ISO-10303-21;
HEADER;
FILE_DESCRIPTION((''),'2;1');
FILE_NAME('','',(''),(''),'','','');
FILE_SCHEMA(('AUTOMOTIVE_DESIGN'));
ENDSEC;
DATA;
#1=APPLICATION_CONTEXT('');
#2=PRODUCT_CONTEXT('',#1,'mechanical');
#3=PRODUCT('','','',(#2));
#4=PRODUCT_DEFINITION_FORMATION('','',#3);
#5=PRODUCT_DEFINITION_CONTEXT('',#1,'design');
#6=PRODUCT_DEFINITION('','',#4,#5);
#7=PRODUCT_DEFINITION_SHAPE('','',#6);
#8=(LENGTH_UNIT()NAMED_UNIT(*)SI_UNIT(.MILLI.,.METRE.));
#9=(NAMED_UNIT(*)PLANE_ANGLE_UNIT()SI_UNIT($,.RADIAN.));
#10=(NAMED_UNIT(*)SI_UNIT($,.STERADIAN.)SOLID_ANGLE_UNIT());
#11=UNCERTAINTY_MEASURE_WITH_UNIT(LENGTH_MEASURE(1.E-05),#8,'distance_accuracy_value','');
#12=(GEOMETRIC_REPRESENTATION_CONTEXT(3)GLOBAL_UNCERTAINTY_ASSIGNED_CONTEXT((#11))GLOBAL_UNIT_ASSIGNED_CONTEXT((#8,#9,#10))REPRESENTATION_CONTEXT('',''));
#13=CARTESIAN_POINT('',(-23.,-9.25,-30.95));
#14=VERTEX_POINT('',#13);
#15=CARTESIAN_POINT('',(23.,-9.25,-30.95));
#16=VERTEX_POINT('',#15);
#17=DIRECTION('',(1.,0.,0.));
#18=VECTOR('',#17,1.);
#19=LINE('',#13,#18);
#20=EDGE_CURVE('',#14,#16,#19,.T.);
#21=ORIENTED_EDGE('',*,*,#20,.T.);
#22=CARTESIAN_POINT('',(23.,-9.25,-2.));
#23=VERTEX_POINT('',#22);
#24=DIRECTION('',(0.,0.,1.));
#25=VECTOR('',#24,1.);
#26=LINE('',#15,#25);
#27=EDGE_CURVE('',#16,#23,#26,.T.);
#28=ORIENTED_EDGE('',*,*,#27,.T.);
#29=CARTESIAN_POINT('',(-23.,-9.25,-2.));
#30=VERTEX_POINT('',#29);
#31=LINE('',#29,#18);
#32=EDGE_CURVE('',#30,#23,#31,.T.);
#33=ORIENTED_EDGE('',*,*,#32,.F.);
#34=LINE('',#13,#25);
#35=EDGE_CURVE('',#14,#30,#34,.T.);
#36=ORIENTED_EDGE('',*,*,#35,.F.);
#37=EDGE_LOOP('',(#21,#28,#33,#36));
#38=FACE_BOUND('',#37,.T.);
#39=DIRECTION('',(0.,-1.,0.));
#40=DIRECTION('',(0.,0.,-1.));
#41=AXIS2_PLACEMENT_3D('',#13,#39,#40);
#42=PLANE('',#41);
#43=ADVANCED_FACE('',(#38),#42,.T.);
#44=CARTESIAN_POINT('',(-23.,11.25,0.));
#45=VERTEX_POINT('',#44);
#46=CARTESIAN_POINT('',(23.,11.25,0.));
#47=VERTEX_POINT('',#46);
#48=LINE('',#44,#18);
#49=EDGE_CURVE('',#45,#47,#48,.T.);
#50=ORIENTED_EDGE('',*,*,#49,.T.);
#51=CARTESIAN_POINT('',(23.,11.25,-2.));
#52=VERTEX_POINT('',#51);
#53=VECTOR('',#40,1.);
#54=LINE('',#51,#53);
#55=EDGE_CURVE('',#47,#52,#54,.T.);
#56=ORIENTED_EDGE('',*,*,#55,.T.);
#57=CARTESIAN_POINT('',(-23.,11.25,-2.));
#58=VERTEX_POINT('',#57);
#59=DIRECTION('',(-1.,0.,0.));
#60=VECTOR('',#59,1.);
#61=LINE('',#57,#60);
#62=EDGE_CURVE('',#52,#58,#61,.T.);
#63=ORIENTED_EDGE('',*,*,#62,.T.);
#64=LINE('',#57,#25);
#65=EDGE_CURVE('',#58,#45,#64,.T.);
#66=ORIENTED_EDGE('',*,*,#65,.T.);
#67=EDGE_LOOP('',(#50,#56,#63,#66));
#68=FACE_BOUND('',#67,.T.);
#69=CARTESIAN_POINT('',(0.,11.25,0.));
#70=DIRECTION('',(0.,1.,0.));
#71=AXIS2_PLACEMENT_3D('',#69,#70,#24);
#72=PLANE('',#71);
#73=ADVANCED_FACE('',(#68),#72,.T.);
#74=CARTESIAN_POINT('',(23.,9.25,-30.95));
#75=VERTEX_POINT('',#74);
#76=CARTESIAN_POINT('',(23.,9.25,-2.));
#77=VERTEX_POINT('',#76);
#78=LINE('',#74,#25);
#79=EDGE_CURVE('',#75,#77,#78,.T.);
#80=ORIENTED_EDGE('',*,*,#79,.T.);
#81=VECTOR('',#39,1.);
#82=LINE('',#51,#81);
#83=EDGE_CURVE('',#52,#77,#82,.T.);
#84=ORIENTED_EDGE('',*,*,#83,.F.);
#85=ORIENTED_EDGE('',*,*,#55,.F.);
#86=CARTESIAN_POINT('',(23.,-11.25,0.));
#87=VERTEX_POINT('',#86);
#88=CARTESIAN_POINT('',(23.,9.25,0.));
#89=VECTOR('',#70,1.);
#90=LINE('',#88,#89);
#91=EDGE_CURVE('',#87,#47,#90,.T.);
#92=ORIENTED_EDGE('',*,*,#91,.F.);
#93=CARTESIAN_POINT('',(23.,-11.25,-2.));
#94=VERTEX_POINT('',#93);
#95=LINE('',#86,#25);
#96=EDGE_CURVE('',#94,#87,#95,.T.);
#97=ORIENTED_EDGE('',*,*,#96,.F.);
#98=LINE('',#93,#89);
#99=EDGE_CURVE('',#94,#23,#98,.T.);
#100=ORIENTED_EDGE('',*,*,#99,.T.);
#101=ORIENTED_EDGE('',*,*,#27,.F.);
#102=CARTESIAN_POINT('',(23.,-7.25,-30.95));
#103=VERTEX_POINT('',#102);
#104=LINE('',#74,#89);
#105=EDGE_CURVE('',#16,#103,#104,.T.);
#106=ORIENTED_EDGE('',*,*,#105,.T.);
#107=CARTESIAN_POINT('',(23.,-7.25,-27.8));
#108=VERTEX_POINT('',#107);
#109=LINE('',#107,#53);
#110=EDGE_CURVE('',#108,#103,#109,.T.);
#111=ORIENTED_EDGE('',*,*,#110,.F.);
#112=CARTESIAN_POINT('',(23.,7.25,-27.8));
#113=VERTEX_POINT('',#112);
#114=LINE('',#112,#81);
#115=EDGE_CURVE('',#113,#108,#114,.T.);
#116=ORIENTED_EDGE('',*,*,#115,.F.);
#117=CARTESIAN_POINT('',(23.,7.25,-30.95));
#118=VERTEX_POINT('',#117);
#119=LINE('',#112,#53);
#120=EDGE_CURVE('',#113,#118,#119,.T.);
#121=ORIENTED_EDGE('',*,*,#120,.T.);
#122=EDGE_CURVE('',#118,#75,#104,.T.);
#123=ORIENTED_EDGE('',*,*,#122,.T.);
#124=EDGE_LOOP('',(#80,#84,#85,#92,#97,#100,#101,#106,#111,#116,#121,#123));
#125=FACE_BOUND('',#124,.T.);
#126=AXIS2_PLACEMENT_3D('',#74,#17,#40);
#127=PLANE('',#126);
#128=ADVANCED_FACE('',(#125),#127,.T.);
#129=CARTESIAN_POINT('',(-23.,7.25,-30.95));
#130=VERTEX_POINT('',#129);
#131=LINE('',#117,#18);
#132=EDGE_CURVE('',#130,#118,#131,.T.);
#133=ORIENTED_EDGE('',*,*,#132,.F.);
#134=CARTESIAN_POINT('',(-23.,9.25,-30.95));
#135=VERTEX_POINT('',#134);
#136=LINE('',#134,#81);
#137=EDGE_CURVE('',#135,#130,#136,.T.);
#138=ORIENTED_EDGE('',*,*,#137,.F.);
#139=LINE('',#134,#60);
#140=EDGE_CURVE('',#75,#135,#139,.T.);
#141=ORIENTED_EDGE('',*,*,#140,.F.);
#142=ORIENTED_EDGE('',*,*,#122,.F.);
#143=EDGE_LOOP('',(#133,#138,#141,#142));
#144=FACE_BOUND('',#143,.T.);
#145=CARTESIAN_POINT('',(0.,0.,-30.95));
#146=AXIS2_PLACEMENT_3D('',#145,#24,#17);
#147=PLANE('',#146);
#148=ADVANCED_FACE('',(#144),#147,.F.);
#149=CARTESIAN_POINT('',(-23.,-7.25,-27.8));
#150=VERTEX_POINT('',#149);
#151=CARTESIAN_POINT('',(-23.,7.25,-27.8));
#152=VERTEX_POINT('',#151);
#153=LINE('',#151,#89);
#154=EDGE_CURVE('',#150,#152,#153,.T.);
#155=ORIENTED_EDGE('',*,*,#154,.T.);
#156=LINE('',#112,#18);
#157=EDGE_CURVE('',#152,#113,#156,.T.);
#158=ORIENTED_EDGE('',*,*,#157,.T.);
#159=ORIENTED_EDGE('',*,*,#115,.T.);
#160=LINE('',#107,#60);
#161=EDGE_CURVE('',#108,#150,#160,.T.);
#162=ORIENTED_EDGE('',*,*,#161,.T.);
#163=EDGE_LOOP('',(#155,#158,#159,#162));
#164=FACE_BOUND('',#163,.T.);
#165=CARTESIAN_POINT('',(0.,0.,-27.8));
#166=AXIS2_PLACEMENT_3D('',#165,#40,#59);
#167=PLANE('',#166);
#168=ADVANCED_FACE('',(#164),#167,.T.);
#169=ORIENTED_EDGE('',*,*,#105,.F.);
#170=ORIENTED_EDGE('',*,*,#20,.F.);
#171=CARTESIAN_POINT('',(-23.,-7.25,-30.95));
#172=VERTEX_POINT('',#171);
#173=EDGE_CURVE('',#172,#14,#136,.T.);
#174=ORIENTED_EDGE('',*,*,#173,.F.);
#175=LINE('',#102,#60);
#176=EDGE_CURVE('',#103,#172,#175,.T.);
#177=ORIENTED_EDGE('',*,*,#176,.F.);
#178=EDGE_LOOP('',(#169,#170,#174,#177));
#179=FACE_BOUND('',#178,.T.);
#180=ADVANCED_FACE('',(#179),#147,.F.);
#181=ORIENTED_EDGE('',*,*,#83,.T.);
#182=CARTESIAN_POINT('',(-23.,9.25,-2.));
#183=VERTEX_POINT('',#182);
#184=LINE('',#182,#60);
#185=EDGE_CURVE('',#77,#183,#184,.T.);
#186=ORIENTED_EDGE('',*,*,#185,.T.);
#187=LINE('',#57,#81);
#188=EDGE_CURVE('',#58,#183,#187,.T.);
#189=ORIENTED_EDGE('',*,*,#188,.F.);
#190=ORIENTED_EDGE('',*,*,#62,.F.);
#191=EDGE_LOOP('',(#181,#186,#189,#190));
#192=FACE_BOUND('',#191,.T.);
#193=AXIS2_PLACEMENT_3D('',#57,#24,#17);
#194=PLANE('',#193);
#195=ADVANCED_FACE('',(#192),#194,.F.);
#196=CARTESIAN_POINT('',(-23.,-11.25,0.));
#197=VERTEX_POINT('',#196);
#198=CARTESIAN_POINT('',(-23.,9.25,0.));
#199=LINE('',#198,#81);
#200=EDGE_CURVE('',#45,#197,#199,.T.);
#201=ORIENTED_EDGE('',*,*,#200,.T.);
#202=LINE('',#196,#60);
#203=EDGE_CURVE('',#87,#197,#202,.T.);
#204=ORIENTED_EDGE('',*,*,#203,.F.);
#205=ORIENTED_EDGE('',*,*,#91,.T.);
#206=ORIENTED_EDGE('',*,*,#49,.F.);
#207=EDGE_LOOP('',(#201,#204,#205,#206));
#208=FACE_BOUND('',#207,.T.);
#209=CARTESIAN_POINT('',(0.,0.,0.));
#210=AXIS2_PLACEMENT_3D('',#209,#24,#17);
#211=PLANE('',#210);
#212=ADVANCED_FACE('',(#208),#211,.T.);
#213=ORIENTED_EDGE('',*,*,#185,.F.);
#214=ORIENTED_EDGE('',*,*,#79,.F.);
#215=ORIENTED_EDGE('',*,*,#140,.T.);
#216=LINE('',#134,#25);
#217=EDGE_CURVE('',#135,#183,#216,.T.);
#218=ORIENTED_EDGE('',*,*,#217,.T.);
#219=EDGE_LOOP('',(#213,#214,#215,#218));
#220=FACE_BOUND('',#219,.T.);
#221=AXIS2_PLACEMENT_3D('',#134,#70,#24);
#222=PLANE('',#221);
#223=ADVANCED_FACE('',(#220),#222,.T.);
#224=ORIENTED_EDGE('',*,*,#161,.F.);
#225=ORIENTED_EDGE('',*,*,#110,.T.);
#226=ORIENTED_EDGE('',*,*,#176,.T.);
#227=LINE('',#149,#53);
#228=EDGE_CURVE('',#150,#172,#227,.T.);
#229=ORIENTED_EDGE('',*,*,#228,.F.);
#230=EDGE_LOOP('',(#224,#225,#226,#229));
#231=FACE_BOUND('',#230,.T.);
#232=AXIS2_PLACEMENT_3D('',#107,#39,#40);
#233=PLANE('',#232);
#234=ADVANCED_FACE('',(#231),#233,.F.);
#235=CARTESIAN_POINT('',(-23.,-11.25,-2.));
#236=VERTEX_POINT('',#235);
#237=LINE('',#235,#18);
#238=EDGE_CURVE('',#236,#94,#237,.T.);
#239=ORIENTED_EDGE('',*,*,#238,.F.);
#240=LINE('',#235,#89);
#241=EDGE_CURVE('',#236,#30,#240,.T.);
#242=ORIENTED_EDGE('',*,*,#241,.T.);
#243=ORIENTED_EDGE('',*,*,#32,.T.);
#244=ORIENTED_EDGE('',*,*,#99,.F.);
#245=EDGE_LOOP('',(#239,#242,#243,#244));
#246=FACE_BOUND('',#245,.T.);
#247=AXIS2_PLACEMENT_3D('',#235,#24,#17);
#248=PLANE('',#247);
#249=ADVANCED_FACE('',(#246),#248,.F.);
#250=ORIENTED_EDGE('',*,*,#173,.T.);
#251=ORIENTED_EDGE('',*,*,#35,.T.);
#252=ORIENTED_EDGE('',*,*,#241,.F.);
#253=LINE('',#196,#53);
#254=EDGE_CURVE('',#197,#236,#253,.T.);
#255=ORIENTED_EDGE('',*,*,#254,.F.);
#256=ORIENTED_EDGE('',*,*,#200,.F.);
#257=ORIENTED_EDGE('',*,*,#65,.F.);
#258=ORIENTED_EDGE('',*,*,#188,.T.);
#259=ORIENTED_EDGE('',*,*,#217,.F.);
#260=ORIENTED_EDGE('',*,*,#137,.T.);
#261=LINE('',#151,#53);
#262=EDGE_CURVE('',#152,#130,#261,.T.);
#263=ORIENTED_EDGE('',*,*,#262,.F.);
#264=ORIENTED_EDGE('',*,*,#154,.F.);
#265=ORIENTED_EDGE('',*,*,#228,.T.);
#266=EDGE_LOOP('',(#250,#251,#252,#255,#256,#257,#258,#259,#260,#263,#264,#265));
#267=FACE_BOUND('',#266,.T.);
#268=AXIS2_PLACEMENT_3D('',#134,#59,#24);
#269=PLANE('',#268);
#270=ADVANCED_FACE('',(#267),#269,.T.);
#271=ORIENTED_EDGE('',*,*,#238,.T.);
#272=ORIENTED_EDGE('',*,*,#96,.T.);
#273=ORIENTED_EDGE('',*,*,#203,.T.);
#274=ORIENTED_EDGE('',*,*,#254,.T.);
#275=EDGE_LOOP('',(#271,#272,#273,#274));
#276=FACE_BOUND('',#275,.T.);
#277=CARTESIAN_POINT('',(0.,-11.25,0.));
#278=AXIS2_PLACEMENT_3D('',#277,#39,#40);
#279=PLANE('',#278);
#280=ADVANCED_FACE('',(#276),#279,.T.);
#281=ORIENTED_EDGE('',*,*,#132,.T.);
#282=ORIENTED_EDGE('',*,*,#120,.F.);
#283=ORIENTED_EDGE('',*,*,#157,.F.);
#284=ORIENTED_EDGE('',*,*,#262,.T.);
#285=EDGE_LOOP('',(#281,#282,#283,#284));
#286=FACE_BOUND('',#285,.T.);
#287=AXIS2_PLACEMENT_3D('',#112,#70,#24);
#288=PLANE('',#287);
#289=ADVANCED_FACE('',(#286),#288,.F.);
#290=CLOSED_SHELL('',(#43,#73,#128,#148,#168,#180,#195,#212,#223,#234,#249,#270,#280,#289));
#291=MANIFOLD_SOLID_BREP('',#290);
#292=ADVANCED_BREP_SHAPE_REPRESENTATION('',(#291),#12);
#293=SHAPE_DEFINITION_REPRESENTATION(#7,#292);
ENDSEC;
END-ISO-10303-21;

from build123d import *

# Parameters (mm, degrees)
IZIM1_W                     = 46
IZIM1_H                     = 18.5
Y_KSEKLIK_EKSTR_ZYON1_DEPTH = 30.95
IZIM2_W                     = 46
IZIM2_H                     = 14.5
KES_EKSTR_ZYON1_DEPTH       = 3.15
IZIM3_W                     = 46
IZIM3_H                     = 2
Y_KSEKLIK_EKSTR_ZYON2_DEPTH = 2
IZIM4_W                     = 46
IZIM4_H                     = 2
Y_KSEKLIK_EKSTR_ZYON3_DEPTH = 2


with BuildPart() as part:
    # Çizim1 → Yükseklik-Ekstrüzyon1 (new body)
    with BuildSketch(Plane.XY):
        Rectangle(IZIM1_W, IZIM1_H)
    extrude(amount=-Y_KSEKLIK_EKSTR_ZYON1_DEPTH)

    # Çizim2 → Kes-Ekstrüzyon1 (cut)
    with BuildSketch(Plane(origin=(0, 0, -30.95), x_dir=(-1, 0, 0), z_dir=(0, 0, -1))):
        Rectangle(IZIM2_W, IZIM2_H)
    extrude(amount=-KES_EKSTR_ZYON1_DEPTH, mode=Mode.SUBTRACT)

    # Çizim3 → Yükseklik-Ekstrüzyon2 (add)
    with BuildSketch(Plane.XZ.offset(9.25)):
        with Locations((0, -1)):
            Rectangle(IZIM3_W, IZIM3_H)
    extrude(amount=Y_KSEKLIK_EKSTR_ZYON2_DEPTH)

    # Çizim4 → Yükseklik-Ekstrüzyon3 (add)
    with BuildSketch(Plane(origin=(0, 9.25, 0), x_dir=(1, 0, 0), z_dir=(0, 1, 0))):
        with Locations((0, 1)):
            Rectangle(IZIM4_W, IZIM4_H)
    extrude(amount=Y_KSEKLIK_EKSTR_ZYON3_DEPTH)


solid = part.part
